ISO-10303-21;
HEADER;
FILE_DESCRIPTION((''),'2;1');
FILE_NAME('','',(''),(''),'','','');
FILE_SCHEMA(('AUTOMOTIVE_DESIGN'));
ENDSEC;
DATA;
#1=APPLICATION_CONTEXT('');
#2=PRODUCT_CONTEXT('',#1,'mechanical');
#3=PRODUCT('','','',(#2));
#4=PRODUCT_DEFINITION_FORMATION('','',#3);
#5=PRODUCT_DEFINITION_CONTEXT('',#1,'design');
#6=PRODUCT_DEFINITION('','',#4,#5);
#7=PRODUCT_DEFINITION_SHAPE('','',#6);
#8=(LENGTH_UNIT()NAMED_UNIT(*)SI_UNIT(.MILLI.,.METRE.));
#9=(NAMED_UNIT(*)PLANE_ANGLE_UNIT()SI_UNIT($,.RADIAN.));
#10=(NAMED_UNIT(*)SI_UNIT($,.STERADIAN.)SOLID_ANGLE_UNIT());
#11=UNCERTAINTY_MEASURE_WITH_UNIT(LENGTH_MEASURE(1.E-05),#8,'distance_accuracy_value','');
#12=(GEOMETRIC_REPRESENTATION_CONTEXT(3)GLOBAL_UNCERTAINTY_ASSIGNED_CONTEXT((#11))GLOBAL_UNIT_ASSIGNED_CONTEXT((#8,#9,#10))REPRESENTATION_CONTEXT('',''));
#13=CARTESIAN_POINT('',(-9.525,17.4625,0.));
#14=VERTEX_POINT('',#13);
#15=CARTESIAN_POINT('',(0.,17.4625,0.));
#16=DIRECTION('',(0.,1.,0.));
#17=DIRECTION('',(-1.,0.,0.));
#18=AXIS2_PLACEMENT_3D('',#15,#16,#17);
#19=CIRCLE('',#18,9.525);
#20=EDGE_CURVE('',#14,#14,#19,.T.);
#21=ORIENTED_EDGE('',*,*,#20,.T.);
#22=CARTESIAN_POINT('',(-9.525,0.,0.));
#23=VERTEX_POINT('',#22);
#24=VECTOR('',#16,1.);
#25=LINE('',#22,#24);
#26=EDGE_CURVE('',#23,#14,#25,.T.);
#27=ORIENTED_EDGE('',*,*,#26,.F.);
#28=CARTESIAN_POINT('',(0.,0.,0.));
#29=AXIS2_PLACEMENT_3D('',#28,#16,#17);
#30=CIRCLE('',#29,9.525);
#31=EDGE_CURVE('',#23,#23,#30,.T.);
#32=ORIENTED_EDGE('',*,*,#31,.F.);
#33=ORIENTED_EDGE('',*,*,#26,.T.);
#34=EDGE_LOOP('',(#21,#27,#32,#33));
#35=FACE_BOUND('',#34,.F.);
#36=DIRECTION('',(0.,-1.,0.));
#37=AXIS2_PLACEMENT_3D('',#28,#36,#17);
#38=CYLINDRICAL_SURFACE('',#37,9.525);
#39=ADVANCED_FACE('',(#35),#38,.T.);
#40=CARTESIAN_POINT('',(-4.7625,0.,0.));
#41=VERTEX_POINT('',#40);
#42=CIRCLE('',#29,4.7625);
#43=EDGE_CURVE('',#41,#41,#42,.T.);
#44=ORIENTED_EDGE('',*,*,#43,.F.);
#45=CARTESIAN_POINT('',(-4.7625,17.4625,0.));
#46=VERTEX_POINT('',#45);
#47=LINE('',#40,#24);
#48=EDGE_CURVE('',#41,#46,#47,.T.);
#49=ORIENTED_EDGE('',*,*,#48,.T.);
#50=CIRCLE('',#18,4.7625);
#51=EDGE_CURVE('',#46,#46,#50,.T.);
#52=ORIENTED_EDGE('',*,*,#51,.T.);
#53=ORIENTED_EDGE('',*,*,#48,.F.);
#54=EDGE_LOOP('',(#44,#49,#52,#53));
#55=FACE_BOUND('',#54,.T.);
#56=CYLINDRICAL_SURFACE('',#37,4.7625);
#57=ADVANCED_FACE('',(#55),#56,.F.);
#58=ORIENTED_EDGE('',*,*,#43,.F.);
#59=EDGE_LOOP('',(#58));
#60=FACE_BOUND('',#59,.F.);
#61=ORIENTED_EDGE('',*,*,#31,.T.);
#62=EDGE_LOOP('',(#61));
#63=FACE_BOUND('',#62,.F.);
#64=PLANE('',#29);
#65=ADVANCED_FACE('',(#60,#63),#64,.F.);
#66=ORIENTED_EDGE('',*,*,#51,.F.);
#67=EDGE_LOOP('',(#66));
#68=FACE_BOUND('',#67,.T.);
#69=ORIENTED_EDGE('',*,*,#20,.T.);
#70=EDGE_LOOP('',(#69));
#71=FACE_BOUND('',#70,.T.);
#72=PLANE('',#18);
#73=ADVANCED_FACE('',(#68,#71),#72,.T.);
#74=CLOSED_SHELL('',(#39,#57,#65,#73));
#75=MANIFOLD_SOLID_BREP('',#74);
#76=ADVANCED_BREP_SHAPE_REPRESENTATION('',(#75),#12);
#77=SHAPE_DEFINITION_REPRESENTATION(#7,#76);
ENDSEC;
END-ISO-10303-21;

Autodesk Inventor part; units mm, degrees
ref_plane "YZ Plane" through (0, 0, 0) normal (1, 0, 0) x (0, 1, 0)
ref_plane "XZ Plane" through (0, 0, 0) normal (0, 1, 0) x (-1, 0, 0)
ref_plane "XY Plane" through (0, 0, 0) normal (0, 0, 1) x (1, 0, 0)
sketch "Sketch1" plane through (0, 0, 0) normal (0, 1, 0) x (-1, 0, 0)
  circle A0 centre (0, 0) radius 4.7625
  circle A1 centre (0, 0) radius 9.525
  dimension "d0" = 9.525
  dimension "d1" = 19.05
extrude "Extrusion1" add sketch "Sketch1" along normal blind 17.4625
properties part number "customWheelSpacers"
